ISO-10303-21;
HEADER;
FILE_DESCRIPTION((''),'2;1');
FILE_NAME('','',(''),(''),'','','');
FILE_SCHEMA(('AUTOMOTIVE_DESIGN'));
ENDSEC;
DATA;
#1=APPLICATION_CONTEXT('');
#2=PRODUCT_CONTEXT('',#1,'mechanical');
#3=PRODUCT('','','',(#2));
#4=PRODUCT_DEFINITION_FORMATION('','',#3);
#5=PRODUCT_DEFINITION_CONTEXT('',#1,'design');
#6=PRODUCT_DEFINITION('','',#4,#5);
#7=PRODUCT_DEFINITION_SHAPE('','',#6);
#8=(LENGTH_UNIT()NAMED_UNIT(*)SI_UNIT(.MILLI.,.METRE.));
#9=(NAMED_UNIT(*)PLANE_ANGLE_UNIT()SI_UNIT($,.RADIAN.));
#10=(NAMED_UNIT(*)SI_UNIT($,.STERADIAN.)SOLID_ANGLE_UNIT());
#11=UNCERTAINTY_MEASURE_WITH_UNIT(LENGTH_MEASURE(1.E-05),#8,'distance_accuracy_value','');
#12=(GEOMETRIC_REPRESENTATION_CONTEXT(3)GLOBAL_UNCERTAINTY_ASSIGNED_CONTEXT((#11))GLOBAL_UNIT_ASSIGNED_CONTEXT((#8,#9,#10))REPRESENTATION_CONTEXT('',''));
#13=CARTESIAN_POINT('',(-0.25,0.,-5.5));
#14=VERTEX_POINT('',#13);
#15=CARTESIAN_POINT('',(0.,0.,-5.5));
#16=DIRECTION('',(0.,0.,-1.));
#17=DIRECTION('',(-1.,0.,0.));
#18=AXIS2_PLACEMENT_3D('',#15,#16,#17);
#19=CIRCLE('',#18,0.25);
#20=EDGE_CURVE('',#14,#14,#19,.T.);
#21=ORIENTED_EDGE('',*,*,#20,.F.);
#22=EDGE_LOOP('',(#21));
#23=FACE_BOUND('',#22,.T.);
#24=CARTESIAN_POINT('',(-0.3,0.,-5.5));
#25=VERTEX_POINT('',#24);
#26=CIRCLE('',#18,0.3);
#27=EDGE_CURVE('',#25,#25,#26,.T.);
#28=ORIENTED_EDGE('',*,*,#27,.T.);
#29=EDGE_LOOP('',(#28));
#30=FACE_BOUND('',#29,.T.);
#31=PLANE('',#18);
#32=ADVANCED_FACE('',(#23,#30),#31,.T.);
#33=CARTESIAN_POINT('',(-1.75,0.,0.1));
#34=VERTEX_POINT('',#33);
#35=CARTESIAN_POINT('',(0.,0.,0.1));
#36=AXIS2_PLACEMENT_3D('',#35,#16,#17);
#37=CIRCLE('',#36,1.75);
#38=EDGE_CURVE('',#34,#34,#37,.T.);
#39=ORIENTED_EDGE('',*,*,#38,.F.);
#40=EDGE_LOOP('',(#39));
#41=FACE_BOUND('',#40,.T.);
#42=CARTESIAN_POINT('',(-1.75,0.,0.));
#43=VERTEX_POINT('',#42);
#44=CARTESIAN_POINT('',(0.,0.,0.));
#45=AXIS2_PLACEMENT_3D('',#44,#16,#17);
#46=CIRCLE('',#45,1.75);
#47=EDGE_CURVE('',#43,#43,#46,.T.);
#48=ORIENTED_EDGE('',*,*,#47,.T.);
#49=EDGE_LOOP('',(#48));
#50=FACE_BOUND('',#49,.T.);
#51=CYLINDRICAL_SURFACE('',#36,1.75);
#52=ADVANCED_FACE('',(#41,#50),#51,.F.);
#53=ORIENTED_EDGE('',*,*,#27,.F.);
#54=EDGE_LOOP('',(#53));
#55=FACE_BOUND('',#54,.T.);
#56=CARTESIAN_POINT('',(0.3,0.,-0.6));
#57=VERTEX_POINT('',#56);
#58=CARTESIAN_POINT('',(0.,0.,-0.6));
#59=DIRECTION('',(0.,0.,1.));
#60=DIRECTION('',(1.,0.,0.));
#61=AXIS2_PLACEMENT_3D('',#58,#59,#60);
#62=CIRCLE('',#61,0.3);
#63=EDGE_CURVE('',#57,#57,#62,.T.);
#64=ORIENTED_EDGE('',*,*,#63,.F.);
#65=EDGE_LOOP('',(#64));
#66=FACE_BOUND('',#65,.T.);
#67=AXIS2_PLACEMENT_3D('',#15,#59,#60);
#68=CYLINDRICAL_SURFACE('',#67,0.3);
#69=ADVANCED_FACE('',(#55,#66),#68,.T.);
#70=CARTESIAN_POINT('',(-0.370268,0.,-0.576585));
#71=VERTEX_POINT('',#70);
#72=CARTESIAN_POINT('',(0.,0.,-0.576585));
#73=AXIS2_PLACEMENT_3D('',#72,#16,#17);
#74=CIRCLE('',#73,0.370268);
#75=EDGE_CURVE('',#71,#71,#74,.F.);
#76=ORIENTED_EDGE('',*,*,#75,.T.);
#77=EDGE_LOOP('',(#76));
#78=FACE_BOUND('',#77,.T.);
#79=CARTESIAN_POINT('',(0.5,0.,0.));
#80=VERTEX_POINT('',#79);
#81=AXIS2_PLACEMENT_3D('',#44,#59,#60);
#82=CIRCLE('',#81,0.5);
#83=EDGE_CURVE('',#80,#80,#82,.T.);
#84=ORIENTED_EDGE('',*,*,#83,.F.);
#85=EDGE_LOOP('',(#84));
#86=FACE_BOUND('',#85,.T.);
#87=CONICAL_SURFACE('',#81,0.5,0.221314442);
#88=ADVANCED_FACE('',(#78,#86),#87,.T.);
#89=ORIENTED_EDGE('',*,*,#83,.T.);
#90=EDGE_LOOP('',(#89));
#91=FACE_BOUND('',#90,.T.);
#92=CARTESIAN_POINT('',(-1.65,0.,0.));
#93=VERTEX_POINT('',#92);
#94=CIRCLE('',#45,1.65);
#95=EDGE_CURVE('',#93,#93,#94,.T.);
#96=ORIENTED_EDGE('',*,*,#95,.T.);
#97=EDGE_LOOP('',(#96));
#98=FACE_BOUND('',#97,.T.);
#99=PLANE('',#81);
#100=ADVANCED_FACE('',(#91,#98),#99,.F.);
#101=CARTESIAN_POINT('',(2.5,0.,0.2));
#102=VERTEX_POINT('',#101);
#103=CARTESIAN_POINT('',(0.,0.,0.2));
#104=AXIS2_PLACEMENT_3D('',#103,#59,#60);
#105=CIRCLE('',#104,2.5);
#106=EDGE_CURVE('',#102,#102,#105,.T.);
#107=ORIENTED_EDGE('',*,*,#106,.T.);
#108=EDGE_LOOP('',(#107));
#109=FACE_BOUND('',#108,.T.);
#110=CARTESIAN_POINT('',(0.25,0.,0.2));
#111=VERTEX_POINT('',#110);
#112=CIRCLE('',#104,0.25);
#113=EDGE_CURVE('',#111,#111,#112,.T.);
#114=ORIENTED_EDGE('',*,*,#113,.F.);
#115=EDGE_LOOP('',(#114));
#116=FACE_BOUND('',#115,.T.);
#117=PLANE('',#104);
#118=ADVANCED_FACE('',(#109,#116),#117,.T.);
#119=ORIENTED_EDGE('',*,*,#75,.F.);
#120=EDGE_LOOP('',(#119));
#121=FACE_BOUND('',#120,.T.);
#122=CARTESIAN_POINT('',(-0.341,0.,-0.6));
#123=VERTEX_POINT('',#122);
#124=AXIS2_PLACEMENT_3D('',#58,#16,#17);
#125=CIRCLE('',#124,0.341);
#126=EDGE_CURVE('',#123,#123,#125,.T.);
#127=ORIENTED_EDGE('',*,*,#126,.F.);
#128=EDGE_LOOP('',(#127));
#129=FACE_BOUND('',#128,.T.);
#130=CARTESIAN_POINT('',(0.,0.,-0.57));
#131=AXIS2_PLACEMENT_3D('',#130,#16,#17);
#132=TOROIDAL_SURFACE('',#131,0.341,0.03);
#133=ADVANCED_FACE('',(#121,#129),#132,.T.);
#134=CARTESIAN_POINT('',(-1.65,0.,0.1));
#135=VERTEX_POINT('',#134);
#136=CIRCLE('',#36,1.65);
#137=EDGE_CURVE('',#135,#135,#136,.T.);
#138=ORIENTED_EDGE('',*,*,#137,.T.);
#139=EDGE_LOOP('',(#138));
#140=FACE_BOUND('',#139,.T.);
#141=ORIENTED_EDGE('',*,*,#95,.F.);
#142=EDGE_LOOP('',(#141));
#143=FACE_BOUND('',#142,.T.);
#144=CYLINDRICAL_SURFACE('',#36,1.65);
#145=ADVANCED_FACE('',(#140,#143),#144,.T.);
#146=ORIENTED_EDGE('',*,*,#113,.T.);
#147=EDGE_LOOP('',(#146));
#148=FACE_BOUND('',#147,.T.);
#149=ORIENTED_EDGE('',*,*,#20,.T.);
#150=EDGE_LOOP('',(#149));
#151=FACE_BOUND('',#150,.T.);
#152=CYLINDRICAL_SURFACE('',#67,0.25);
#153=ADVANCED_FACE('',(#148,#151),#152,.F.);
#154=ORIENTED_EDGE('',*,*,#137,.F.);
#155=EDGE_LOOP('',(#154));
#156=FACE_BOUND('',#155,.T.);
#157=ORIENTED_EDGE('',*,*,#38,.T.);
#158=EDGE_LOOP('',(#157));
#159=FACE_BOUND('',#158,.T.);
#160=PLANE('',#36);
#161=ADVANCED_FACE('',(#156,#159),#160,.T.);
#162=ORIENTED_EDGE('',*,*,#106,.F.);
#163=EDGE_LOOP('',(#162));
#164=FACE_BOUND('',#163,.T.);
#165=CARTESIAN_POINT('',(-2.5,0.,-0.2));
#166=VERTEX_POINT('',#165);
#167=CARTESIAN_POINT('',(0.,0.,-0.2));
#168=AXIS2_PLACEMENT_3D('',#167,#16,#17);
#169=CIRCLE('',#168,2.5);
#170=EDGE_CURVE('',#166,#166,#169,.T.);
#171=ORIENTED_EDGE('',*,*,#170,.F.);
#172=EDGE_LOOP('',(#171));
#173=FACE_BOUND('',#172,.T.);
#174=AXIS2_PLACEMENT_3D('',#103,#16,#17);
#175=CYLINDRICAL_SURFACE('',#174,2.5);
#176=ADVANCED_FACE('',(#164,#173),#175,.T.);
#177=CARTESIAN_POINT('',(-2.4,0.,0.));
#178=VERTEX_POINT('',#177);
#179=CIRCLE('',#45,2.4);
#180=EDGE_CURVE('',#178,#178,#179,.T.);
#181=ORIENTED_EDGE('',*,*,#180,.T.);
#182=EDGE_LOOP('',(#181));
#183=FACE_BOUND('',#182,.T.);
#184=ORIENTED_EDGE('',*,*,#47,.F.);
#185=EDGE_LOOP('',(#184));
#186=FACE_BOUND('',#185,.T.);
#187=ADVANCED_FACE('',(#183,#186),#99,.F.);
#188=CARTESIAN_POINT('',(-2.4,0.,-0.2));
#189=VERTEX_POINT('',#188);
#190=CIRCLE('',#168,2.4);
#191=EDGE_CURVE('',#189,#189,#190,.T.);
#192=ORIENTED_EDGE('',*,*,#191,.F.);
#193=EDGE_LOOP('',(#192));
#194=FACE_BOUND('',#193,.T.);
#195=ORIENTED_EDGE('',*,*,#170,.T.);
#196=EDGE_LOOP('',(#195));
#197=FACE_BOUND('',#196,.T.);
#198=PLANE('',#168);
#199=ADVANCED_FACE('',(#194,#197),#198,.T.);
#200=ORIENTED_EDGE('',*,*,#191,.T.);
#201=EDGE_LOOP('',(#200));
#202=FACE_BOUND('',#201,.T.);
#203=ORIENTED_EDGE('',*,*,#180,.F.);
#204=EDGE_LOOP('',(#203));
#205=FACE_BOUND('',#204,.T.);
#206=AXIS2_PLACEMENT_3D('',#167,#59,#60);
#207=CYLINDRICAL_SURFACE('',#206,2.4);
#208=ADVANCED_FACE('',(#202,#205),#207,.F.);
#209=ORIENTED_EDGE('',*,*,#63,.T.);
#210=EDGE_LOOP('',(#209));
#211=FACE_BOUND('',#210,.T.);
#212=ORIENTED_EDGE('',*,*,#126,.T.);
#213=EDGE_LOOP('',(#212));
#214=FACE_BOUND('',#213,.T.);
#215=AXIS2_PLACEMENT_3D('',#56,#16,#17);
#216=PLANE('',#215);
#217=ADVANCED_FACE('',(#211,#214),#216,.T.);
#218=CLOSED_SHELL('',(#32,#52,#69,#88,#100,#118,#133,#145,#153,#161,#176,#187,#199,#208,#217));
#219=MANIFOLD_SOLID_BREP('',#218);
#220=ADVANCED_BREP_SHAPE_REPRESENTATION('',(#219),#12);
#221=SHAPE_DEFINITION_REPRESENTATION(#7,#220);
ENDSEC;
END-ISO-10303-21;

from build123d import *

# Parameters (mm, degrees)
SKETCH_1_R          = 2.5
EXTRUDE_1_DEPTH     = 0.2
EXTRUDE_START       = 0.2
SKETCH_3_R          = 2.5
SKETCH_3_R_2        = 2.4
EXTRUDE_2_DEPTH     = 0.2
SKETCH_4_R          = 1.75
SKETCH_4_R_2        = 1.65
CUT_EXTRUDE_1_DEPTH = 0.1
SKETCH_5_R          = 0.3
SKETCH_5_R_2        = 0.25
EXTRUDE_3_DEPTH     = 5.5
FILLET_1_R          = 0.03
CUT_EXTRUDE_START   = -5.5
SKETCH_11_R         = 0.25
CUT_EXTRUDE_3_DEPTH = 5.5


with BuildPart() as part:
    # 스케치1 → 보스-돌출1 (new body)
    with BuildSketch(Plane.XY):
        Circle(SKETCH_1_R)
    extrude(amount=EXTRUDE_1_DEPTH)

    # 스케치3 → 보스-돌출2 (add)
    with BuildSketch(Plane(origin=(0, 0, 0), x_dir=(-1, 0, 0), z_dir=(0, 0, -1)).offset(EXTRUDE_START)):
        Circle(SKETCH_3_R)
        Circle(SKETCH_3_R_2, mode=Mode.SUBTRACT)
    extrude(amount=-EXTRUDE_2_DEPTH)

    # 스케치4 → 컷-돌출1 (cut)
    with BuildSketch(Plane(origin=(0, 0, 0), x_dir=(-1, 0, 0), z_dir=(0, 0, -1))):
        Circle(SKETCH_4_R)
        Circle(SKETCH_4_R_2, mode=Mode.SUBTRACT)
    extrude(amount=-CUT_EXTRUDE_1_DEPTH, mode=Mode.SUBTRACT)

    # 스케치5 → 보스-돌출3 (add)
    with BuildSketch(Plane(origin=(0, 0, 0), x_dir=(-1, 0, 0), z_dir=(0, 0, -1))):
        with Locations(Location((0, 0, 0), (0, 0, 180))):
            Circle(SKETCH_5_R)
        Circle(SKETCH_5_R_2, mode=Mode.SUBTRACT)
    extrude(amount=EXTRUDE_3_DEPTH)

    # 스케치7 → 회전1 (revolve)
    with BuildSketch(Plane(origin=(0, 0, 0), x_dir=(1, 0, 0), z_dir=(0, 1, 0))):
        Polygon((0.3, 0), (0.3, 0.6), (0.365, 0.6), (0.5, 0), align=None)
    revolve(axis=Axis((0, 0, 0), (0, 0, -1)))

    # 필렛1
    fillet_1_edges = [part.edges().sort_by_distance(p)[0] for p in [
        (-0.365, 0, -0.6),
    ]]
    fillet(fillet_1_edges, radius=FILLET_1_R)

    # 스케치11 → 컷-돌출3 (cut)
    with BuildSketch(Plane(origin=(0, 0, 0), x_dir=(-1, 0, 0), z_dir=(0, 0, -1)).offset(CUT_EXTRUDE_START)):
        with Locations(Location((0, 0, 0), (0, 0, 180))):
            Circle(SKETCH_11_R)
    extrude(amount=CUT_EXTRUDE_3_DEPTH, mode=Mode.SUBTRACT)


solid = part.part
